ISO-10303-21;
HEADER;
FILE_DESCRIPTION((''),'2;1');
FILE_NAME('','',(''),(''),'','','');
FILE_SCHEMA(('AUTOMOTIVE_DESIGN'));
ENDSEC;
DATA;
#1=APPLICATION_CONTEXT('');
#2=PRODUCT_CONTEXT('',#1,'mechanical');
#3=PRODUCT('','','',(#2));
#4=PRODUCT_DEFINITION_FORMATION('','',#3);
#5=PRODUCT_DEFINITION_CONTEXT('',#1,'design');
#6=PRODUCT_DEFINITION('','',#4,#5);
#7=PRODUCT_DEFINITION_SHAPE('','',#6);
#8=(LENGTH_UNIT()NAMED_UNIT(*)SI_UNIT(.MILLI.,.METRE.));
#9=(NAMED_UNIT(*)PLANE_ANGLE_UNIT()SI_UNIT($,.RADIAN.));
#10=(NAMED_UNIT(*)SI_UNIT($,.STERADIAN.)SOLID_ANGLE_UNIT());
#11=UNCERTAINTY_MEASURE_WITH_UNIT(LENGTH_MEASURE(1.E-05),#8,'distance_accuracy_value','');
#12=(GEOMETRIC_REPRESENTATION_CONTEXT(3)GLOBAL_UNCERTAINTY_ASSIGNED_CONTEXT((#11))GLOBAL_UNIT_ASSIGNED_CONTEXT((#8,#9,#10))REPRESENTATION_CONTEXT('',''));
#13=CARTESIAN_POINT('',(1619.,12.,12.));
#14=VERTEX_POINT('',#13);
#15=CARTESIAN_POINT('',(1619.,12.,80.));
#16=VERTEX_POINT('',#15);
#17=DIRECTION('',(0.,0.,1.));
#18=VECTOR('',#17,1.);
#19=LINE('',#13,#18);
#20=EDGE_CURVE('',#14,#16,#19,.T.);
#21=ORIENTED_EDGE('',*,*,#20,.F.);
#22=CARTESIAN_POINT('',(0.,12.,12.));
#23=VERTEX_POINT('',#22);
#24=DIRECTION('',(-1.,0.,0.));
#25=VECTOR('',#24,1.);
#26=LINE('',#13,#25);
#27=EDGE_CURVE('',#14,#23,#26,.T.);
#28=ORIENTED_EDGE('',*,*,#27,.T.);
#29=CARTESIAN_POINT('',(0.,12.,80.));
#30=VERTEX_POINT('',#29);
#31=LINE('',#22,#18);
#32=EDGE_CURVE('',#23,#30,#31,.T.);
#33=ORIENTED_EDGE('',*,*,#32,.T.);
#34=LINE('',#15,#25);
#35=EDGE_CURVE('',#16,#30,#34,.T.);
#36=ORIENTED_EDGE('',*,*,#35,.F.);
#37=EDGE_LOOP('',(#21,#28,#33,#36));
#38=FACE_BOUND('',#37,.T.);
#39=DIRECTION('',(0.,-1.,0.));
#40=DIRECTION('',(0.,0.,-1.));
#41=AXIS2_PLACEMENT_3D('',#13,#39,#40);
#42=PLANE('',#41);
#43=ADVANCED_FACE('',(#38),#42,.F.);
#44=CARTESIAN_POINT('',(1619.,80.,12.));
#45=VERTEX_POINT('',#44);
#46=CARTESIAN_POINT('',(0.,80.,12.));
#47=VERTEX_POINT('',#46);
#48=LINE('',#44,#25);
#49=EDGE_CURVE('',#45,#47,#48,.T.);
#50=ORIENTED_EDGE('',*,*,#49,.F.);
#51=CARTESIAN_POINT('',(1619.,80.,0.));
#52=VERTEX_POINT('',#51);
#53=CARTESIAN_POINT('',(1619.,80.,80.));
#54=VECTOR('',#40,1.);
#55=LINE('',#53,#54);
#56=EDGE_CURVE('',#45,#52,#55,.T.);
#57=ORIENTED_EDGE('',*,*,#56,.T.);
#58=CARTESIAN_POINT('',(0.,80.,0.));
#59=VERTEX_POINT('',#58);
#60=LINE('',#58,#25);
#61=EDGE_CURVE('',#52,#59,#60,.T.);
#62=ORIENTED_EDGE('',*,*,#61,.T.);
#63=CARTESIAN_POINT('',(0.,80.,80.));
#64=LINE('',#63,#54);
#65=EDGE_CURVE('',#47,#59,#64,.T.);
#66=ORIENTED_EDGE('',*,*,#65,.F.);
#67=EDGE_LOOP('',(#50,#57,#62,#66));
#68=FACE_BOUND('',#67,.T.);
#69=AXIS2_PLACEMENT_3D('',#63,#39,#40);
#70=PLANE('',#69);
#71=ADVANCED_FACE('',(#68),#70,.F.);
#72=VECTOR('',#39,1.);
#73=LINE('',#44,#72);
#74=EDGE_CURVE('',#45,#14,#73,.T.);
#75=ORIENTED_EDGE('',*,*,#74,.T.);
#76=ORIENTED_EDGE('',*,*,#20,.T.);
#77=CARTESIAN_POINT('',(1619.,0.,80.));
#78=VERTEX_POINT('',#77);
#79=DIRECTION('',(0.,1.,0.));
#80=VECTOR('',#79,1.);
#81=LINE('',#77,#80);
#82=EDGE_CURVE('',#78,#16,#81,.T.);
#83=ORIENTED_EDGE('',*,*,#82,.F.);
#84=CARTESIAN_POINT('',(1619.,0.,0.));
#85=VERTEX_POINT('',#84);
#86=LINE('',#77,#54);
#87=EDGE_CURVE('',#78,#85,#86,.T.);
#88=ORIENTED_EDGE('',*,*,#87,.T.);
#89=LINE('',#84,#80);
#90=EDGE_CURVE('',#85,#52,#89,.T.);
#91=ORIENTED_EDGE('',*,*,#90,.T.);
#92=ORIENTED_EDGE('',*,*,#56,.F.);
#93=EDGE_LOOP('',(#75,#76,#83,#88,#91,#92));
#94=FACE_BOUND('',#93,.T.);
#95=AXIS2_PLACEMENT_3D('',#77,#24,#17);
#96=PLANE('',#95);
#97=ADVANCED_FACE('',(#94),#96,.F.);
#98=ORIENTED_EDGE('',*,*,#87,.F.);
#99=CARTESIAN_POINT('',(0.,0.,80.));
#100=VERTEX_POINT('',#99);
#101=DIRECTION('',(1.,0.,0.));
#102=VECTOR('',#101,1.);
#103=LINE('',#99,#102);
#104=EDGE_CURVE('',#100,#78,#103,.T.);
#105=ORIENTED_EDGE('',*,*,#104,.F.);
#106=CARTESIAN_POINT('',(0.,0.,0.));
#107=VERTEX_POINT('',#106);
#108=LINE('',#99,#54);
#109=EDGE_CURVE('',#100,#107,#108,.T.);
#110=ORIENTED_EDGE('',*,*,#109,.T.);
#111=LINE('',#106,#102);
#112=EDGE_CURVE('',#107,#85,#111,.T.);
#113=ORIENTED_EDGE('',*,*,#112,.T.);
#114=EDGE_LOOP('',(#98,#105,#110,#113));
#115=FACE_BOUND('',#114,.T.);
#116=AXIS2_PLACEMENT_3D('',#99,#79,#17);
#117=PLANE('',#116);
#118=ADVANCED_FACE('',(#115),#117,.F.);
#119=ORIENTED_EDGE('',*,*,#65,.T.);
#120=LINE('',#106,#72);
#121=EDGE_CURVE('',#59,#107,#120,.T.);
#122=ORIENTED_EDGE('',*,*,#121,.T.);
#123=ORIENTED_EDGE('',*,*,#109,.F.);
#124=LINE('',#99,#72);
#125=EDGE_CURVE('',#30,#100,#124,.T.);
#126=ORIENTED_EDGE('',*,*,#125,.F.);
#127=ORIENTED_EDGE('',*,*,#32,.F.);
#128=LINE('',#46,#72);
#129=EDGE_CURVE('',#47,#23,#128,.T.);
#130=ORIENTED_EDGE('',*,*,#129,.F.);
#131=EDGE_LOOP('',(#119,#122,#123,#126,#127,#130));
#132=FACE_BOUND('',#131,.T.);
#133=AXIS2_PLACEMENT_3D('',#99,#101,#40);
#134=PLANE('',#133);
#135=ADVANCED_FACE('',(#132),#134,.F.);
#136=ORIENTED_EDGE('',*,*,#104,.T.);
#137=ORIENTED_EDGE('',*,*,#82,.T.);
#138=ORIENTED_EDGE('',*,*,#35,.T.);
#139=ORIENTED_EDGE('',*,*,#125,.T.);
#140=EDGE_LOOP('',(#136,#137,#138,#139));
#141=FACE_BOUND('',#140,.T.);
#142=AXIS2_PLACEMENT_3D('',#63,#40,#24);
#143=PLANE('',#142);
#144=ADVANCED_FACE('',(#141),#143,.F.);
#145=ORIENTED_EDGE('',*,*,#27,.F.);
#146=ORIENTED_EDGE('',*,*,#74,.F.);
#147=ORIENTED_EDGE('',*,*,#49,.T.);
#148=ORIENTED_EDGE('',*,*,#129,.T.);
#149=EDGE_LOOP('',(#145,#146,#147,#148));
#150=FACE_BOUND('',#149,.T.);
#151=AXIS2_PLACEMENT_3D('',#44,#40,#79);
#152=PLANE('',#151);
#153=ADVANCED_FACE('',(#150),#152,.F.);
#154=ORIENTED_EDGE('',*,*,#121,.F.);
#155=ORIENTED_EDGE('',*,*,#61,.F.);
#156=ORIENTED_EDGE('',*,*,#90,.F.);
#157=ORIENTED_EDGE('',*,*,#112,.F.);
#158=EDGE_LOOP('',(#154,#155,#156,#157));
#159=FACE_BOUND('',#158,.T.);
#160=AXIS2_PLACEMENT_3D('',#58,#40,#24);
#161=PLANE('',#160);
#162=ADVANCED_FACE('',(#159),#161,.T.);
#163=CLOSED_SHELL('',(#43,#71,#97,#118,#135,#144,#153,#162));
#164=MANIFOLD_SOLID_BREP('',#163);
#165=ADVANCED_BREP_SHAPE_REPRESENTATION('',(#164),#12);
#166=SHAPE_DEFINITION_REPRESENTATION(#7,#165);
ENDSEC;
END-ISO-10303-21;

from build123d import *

# Parameters (mm, degrees)
SKETCH_1_W          = 1619
SKETCH_1_H          = 80
EXTRUDE_1_DEPTH     = 80
SKETCH_3_W          = 68
SKETCH_3_H          = 68
CUT_EXTRUDE_2_DEPTH = 1623.948243167


with BuildPart() as part:
    # 草图1 → 拉伸1 (new body)
    with BuildSketch(Plane.XY):
        with Locations((809.5, 40)):
            Rectangle(SKETCH_1_W, SKETCH_1_H)
    extrude(amount=EXTRUDE_1_DEPTH)

    # 草图3 → 拉伸2 (cut, through all)
    with BuildSketch(Plane.ZY):
        with Locations((46, 46)):
            Rectangle(SKETCH_3_W, SKETCH_3_H)
    extrude(amount=-CUT_EXTRUDE_2_DEPTH, mode=Mode.SUBTRACT)


solid = part.part
